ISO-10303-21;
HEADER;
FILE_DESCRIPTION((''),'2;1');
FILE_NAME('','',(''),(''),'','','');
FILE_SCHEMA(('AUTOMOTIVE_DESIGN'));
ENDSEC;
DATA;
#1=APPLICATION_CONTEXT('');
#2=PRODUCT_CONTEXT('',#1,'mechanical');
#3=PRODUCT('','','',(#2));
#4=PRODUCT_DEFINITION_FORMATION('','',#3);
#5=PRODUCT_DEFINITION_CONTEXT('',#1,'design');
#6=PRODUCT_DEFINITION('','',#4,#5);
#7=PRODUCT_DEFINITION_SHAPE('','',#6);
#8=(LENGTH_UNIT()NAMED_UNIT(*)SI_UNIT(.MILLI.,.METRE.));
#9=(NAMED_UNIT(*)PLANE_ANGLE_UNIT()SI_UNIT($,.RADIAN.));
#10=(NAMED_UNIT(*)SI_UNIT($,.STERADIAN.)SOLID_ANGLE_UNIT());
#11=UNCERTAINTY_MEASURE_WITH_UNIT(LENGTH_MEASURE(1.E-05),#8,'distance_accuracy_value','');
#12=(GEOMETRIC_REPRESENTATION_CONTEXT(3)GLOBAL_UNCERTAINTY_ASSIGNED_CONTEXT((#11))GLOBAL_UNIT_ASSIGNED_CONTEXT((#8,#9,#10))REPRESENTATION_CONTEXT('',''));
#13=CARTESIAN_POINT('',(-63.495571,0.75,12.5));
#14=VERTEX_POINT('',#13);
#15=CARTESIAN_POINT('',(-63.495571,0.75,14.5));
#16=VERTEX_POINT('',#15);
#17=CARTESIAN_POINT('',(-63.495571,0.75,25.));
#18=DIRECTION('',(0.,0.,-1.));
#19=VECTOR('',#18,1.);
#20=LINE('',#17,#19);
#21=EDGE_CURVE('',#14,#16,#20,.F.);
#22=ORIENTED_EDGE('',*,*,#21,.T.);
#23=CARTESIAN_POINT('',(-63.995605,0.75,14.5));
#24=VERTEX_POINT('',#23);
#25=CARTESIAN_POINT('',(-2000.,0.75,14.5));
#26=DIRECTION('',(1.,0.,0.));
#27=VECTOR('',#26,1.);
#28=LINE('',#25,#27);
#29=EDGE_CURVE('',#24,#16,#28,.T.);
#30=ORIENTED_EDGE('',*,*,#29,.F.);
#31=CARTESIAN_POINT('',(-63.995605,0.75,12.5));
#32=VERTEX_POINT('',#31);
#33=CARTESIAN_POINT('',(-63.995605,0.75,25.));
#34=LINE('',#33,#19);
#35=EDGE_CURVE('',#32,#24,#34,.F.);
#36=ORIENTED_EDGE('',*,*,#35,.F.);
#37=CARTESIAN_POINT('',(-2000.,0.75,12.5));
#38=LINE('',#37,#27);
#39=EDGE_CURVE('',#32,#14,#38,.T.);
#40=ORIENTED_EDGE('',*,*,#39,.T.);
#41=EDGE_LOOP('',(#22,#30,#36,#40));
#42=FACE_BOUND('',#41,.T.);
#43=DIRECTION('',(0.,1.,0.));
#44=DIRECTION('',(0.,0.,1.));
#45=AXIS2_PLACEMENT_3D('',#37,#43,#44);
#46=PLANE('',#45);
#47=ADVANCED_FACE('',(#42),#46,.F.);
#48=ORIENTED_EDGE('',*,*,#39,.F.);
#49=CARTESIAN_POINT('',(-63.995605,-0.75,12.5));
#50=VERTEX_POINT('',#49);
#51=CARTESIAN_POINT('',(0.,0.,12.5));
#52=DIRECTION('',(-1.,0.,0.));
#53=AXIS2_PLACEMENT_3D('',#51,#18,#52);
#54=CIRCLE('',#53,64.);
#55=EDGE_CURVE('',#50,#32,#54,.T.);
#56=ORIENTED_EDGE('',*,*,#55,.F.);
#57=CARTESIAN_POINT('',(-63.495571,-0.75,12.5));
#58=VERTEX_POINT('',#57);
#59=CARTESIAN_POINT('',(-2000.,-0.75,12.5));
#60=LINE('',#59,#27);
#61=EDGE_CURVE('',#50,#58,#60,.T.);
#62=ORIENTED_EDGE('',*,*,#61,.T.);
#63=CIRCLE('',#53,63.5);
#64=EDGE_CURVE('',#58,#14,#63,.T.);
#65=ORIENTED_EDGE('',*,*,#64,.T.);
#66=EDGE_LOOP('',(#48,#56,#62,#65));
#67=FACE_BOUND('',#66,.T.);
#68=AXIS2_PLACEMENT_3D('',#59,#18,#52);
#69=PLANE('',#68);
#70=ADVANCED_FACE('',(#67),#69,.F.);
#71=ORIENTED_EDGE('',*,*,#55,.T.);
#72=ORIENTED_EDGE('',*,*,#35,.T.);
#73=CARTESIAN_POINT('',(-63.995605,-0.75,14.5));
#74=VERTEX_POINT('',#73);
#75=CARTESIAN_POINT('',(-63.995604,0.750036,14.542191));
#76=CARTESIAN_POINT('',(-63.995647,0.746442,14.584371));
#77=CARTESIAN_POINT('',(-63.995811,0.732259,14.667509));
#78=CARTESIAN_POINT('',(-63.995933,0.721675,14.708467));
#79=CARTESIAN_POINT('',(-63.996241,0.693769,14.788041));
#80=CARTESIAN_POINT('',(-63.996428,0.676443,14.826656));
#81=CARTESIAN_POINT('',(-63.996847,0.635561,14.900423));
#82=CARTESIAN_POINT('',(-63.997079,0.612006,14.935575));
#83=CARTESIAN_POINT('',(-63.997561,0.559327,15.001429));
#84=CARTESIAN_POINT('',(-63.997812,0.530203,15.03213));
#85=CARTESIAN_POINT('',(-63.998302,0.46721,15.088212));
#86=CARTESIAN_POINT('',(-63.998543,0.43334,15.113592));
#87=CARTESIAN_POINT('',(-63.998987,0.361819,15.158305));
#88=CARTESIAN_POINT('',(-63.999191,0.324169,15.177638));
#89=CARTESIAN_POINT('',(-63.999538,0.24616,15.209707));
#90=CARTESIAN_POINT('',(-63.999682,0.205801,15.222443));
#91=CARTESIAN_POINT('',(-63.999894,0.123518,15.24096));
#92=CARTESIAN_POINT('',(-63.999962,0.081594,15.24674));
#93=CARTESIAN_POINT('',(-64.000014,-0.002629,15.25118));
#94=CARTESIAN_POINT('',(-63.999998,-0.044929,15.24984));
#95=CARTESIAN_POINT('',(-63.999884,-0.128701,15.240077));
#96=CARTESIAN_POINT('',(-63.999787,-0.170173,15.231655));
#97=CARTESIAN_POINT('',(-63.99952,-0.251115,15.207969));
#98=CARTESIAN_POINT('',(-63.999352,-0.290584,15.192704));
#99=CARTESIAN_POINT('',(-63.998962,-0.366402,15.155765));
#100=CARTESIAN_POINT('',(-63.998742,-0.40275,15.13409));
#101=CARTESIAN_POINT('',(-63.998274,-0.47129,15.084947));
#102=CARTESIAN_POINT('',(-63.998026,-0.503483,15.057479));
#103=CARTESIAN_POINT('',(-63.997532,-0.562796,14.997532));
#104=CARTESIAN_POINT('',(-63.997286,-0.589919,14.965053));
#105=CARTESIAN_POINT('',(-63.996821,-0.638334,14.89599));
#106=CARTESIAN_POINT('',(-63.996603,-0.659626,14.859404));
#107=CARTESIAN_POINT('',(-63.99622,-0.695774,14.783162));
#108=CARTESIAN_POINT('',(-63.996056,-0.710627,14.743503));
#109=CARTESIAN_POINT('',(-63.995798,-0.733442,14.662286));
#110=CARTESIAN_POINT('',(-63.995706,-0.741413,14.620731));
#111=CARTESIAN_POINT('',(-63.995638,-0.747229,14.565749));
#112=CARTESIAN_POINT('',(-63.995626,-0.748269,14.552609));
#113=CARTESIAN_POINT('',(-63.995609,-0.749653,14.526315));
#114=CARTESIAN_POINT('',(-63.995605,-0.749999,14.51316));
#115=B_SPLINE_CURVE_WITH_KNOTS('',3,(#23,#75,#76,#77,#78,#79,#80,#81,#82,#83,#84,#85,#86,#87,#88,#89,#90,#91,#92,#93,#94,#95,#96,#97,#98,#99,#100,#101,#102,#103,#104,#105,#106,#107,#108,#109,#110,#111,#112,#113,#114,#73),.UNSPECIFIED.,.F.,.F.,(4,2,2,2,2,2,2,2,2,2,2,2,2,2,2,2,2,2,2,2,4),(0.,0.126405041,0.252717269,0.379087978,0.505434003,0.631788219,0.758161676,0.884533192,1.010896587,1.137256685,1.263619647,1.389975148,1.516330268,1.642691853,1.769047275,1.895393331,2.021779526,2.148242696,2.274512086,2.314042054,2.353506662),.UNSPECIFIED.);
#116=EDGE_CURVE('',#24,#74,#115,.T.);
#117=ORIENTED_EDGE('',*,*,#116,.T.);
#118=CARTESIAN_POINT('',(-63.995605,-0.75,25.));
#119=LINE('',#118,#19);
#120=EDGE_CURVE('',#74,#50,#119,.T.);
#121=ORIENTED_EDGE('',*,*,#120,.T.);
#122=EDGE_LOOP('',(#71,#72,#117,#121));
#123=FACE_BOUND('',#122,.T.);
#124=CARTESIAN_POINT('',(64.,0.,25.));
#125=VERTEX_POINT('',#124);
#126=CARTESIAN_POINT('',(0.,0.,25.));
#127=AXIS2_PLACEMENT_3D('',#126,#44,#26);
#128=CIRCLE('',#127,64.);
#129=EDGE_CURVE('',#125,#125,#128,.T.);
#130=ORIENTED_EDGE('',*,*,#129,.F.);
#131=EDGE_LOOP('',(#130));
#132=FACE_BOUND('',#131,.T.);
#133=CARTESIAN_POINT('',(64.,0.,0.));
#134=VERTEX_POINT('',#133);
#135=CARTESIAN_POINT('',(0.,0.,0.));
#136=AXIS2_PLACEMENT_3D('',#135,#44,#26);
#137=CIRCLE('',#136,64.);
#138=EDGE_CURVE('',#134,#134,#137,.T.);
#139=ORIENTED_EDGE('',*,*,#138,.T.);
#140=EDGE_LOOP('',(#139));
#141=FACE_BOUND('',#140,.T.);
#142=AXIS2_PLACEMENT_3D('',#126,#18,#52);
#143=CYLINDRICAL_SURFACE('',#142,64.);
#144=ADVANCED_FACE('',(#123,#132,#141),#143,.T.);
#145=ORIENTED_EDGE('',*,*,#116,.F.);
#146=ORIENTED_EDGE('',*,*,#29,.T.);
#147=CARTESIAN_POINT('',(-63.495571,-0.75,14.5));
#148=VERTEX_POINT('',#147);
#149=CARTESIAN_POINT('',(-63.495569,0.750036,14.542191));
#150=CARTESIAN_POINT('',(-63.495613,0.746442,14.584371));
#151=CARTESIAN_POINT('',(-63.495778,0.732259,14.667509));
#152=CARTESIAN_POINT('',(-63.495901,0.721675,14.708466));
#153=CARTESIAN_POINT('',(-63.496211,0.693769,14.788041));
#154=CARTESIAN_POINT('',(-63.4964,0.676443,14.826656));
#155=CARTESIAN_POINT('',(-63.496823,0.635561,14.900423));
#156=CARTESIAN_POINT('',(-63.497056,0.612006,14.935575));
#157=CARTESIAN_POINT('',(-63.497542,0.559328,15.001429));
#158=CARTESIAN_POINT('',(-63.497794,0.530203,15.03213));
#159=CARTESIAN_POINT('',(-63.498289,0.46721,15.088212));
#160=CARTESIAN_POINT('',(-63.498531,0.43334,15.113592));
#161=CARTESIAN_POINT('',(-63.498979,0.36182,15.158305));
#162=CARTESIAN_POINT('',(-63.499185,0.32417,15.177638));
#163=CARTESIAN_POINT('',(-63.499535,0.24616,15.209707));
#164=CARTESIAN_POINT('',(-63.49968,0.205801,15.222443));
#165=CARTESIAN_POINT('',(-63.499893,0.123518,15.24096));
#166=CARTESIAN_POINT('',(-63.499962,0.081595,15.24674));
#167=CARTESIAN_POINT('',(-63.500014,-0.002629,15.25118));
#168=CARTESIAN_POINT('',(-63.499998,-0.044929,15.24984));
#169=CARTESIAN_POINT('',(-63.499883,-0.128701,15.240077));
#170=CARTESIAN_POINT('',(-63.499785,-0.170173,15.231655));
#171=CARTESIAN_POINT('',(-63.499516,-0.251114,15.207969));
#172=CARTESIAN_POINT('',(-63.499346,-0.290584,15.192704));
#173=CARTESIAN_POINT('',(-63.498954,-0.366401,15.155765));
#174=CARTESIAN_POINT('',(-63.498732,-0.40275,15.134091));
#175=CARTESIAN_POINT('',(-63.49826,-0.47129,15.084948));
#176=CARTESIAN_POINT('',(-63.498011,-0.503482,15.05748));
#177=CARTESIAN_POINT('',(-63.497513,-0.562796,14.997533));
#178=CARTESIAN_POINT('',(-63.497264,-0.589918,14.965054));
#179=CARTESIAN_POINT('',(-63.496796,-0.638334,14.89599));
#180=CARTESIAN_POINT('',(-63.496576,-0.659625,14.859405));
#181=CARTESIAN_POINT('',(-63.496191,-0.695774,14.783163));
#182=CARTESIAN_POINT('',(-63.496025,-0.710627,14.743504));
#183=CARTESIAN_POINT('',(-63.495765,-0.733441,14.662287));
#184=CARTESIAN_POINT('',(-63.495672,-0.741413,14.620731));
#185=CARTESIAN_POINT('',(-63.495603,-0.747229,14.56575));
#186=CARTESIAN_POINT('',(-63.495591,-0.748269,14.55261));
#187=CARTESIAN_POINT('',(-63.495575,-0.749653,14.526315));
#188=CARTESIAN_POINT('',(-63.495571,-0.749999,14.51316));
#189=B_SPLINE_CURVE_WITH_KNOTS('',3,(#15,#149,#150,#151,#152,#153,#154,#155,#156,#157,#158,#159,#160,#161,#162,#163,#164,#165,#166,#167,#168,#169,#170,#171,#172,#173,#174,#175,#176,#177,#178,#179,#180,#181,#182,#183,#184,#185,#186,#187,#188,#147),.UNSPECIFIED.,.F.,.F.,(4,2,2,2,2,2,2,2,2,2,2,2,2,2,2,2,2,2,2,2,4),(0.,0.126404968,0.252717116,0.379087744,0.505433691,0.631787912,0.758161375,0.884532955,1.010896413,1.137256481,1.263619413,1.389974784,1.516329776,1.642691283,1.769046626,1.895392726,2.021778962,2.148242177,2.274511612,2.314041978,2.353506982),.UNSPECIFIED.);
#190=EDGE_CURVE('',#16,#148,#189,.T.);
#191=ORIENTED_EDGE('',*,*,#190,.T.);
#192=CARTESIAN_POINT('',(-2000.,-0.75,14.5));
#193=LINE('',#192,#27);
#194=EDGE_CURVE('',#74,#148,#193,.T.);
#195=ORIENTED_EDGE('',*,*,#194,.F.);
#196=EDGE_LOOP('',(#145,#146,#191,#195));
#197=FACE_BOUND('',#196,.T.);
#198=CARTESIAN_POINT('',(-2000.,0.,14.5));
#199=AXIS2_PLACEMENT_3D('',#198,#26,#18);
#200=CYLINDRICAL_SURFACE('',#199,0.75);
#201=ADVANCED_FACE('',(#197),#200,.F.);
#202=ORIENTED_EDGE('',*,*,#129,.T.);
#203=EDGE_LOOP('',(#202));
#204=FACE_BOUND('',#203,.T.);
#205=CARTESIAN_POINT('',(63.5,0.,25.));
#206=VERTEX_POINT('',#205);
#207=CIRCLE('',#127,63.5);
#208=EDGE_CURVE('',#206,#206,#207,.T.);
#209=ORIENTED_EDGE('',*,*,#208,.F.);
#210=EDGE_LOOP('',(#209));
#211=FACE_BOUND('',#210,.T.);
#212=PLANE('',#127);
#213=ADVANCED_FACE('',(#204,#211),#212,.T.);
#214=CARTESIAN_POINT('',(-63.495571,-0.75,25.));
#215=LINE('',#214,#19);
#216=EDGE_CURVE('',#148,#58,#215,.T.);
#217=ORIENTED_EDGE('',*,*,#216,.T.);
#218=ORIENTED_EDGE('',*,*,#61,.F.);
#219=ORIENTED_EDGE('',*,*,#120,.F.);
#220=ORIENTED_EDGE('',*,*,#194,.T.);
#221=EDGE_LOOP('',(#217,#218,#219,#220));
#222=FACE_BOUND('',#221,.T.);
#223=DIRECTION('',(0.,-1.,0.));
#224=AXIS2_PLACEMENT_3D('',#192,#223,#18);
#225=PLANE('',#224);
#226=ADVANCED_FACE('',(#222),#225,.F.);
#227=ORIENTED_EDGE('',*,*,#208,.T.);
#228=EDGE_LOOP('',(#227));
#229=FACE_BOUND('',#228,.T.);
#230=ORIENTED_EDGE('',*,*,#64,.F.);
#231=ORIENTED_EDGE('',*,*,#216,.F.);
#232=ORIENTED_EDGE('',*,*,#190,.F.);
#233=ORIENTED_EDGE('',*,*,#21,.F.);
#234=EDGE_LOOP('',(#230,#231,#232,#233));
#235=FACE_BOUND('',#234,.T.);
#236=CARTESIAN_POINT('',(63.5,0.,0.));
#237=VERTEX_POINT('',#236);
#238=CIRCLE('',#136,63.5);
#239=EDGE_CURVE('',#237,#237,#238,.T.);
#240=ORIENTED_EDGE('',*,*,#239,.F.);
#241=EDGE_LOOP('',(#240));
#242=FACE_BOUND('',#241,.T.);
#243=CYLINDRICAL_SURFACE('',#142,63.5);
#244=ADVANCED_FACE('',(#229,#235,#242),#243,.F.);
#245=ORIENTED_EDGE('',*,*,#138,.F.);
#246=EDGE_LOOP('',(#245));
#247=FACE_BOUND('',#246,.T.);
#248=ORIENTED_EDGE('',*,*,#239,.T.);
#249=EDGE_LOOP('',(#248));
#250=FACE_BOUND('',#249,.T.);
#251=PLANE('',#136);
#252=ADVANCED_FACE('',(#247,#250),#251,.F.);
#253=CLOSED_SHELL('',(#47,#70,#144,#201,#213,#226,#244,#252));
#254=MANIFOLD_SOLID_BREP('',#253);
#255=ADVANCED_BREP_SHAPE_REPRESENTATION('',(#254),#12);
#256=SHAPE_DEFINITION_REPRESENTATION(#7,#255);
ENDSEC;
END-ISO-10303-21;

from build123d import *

# Parameters (mm, degrees)
SKETCH_1_R          = 64
SKETCH_1_R_2        = 63.5
EXTRUDE_1_DEPTH     = 25
CUT_EXTRUDE_1_DEPTH = 2000


with BuildPart() as part:
    # 草图1 → 凸台-拉伸1 (new body)
    with BuildSketch(Plane.XY):
        Circle(SKETCH_1_R)
        Circle(SKETCH_1_R_2, mode=Mode.SUBTRACT)
    extrude(amount=EXTRUDE_1_DEPTH)

    # 草图2 → 切除-拉伸1 (cut)
    with BuildSketch(Plane(origin=(0, 0, 0), x_dir=(0, 0, -1), z_dir=(1, 0, 0))):
        with BuildLine():
            Line((-14.5, -0.75), (-12.5, -0.75))
            Line((-12.5, -0.75), (-12.5, 0.75))
            Line((-12.5, 0.75), (-14.5, 0.75))
            ThreePointArc((-14.5, 0.75), (-15.25, 0), (-14.5, -0.75))
        make_face()
    extrude(amount=-CUT_EXTRUDE_1_DEPTH, mode=Mode.SUBTRACT)


solid = part.part
